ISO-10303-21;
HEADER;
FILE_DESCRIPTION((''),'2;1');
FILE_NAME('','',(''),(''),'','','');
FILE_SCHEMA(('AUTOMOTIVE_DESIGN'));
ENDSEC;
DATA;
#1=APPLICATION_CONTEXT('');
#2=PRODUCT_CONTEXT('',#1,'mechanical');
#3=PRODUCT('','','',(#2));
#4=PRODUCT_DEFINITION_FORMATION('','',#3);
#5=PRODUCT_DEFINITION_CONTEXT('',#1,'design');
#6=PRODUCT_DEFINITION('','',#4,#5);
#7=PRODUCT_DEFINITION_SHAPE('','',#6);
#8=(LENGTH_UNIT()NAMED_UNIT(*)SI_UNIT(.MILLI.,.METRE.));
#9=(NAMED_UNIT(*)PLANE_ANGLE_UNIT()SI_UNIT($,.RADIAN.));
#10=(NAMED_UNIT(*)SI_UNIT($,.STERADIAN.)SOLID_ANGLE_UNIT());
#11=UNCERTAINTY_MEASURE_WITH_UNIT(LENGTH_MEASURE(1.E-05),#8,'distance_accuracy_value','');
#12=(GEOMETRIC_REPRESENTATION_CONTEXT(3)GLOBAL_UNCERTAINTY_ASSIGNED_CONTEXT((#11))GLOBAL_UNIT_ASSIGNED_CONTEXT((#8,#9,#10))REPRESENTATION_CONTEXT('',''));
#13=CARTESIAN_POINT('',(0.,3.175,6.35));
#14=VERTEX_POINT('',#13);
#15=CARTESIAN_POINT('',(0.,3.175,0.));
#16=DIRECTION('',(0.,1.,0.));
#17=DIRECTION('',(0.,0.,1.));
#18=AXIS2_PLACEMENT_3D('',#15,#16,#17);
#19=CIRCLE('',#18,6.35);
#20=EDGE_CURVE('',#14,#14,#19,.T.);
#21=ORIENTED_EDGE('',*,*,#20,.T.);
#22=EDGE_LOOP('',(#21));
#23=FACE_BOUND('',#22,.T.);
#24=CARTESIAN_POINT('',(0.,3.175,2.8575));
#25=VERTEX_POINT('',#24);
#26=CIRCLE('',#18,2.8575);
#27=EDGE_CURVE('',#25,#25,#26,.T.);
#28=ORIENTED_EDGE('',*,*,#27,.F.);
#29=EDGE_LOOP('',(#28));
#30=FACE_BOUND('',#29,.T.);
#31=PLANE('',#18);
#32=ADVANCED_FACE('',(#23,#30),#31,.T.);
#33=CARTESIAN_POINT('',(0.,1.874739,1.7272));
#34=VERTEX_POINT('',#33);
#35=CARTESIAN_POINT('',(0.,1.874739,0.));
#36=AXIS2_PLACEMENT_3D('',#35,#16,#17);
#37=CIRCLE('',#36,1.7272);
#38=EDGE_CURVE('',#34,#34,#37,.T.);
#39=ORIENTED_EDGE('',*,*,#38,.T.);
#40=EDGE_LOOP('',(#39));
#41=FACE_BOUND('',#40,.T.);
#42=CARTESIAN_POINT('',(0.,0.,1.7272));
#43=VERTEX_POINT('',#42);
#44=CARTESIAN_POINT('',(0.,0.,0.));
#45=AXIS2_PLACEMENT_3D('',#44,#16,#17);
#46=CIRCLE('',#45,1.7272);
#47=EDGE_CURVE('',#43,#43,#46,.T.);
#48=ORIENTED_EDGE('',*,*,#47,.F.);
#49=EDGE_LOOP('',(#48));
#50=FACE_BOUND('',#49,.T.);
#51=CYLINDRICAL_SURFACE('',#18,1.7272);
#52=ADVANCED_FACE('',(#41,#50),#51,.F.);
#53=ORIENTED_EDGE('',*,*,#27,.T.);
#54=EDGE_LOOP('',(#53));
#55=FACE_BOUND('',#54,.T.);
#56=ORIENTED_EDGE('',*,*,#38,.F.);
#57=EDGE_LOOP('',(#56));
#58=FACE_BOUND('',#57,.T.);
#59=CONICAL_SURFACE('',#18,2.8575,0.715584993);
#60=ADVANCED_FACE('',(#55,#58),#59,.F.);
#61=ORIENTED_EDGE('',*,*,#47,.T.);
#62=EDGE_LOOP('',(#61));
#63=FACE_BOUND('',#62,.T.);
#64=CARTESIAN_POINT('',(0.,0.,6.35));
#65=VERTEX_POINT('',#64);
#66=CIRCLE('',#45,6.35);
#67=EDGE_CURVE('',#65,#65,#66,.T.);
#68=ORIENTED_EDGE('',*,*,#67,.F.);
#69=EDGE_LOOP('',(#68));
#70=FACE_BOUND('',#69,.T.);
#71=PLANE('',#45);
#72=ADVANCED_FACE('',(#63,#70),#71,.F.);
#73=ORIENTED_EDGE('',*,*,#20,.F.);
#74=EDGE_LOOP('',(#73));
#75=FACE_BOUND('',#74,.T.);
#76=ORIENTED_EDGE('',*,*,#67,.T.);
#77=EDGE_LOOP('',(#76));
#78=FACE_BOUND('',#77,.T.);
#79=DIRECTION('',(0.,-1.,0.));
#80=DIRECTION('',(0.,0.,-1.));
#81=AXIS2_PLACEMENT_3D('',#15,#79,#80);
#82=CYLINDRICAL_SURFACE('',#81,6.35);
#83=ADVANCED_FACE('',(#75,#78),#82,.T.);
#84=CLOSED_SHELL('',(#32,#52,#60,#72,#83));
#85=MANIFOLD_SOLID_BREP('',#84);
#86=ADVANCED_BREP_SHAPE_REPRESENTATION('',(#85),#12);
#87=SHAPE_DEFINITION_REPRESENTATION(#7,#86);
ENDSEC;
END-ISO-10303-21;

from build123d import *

# Parameters (mm, degrees)
SKETCH1_R           = 6.35
BOSS_EXTRUDE1_DEPTH = 3.175


with BuildPart() as part:
    # Sketch1 → Boss-Extrude1 (new body)
    with BuildSketch(Plane(origin=(0, 0, 0), x_dir=(1, 0, 0), z_dir=(0, 1, 0))):
        Circle(SKETCH1_R)
    extrude(amount=BOSS_EXTRUDE1_DEPTH)

    # Sketch3 → CSK for #4 Flat Head Machine Screw1 (revolve, cut)
    with BuildSketch(Plane(origin=(0, 3.175, 0), x_dir=(0, 0, 1), z_dir=(1, 0, 0))):
        Polygon((0, 0), (0, 3.175), (1.7272, 3.175), (1.7272, 1.300261411), (2.8575, 0), align=None)
    revolve(axis=Axis((0, 9.525, 0), (0, -1, 0)), mode=Mode.SUBTRACT)


solid = part.part
